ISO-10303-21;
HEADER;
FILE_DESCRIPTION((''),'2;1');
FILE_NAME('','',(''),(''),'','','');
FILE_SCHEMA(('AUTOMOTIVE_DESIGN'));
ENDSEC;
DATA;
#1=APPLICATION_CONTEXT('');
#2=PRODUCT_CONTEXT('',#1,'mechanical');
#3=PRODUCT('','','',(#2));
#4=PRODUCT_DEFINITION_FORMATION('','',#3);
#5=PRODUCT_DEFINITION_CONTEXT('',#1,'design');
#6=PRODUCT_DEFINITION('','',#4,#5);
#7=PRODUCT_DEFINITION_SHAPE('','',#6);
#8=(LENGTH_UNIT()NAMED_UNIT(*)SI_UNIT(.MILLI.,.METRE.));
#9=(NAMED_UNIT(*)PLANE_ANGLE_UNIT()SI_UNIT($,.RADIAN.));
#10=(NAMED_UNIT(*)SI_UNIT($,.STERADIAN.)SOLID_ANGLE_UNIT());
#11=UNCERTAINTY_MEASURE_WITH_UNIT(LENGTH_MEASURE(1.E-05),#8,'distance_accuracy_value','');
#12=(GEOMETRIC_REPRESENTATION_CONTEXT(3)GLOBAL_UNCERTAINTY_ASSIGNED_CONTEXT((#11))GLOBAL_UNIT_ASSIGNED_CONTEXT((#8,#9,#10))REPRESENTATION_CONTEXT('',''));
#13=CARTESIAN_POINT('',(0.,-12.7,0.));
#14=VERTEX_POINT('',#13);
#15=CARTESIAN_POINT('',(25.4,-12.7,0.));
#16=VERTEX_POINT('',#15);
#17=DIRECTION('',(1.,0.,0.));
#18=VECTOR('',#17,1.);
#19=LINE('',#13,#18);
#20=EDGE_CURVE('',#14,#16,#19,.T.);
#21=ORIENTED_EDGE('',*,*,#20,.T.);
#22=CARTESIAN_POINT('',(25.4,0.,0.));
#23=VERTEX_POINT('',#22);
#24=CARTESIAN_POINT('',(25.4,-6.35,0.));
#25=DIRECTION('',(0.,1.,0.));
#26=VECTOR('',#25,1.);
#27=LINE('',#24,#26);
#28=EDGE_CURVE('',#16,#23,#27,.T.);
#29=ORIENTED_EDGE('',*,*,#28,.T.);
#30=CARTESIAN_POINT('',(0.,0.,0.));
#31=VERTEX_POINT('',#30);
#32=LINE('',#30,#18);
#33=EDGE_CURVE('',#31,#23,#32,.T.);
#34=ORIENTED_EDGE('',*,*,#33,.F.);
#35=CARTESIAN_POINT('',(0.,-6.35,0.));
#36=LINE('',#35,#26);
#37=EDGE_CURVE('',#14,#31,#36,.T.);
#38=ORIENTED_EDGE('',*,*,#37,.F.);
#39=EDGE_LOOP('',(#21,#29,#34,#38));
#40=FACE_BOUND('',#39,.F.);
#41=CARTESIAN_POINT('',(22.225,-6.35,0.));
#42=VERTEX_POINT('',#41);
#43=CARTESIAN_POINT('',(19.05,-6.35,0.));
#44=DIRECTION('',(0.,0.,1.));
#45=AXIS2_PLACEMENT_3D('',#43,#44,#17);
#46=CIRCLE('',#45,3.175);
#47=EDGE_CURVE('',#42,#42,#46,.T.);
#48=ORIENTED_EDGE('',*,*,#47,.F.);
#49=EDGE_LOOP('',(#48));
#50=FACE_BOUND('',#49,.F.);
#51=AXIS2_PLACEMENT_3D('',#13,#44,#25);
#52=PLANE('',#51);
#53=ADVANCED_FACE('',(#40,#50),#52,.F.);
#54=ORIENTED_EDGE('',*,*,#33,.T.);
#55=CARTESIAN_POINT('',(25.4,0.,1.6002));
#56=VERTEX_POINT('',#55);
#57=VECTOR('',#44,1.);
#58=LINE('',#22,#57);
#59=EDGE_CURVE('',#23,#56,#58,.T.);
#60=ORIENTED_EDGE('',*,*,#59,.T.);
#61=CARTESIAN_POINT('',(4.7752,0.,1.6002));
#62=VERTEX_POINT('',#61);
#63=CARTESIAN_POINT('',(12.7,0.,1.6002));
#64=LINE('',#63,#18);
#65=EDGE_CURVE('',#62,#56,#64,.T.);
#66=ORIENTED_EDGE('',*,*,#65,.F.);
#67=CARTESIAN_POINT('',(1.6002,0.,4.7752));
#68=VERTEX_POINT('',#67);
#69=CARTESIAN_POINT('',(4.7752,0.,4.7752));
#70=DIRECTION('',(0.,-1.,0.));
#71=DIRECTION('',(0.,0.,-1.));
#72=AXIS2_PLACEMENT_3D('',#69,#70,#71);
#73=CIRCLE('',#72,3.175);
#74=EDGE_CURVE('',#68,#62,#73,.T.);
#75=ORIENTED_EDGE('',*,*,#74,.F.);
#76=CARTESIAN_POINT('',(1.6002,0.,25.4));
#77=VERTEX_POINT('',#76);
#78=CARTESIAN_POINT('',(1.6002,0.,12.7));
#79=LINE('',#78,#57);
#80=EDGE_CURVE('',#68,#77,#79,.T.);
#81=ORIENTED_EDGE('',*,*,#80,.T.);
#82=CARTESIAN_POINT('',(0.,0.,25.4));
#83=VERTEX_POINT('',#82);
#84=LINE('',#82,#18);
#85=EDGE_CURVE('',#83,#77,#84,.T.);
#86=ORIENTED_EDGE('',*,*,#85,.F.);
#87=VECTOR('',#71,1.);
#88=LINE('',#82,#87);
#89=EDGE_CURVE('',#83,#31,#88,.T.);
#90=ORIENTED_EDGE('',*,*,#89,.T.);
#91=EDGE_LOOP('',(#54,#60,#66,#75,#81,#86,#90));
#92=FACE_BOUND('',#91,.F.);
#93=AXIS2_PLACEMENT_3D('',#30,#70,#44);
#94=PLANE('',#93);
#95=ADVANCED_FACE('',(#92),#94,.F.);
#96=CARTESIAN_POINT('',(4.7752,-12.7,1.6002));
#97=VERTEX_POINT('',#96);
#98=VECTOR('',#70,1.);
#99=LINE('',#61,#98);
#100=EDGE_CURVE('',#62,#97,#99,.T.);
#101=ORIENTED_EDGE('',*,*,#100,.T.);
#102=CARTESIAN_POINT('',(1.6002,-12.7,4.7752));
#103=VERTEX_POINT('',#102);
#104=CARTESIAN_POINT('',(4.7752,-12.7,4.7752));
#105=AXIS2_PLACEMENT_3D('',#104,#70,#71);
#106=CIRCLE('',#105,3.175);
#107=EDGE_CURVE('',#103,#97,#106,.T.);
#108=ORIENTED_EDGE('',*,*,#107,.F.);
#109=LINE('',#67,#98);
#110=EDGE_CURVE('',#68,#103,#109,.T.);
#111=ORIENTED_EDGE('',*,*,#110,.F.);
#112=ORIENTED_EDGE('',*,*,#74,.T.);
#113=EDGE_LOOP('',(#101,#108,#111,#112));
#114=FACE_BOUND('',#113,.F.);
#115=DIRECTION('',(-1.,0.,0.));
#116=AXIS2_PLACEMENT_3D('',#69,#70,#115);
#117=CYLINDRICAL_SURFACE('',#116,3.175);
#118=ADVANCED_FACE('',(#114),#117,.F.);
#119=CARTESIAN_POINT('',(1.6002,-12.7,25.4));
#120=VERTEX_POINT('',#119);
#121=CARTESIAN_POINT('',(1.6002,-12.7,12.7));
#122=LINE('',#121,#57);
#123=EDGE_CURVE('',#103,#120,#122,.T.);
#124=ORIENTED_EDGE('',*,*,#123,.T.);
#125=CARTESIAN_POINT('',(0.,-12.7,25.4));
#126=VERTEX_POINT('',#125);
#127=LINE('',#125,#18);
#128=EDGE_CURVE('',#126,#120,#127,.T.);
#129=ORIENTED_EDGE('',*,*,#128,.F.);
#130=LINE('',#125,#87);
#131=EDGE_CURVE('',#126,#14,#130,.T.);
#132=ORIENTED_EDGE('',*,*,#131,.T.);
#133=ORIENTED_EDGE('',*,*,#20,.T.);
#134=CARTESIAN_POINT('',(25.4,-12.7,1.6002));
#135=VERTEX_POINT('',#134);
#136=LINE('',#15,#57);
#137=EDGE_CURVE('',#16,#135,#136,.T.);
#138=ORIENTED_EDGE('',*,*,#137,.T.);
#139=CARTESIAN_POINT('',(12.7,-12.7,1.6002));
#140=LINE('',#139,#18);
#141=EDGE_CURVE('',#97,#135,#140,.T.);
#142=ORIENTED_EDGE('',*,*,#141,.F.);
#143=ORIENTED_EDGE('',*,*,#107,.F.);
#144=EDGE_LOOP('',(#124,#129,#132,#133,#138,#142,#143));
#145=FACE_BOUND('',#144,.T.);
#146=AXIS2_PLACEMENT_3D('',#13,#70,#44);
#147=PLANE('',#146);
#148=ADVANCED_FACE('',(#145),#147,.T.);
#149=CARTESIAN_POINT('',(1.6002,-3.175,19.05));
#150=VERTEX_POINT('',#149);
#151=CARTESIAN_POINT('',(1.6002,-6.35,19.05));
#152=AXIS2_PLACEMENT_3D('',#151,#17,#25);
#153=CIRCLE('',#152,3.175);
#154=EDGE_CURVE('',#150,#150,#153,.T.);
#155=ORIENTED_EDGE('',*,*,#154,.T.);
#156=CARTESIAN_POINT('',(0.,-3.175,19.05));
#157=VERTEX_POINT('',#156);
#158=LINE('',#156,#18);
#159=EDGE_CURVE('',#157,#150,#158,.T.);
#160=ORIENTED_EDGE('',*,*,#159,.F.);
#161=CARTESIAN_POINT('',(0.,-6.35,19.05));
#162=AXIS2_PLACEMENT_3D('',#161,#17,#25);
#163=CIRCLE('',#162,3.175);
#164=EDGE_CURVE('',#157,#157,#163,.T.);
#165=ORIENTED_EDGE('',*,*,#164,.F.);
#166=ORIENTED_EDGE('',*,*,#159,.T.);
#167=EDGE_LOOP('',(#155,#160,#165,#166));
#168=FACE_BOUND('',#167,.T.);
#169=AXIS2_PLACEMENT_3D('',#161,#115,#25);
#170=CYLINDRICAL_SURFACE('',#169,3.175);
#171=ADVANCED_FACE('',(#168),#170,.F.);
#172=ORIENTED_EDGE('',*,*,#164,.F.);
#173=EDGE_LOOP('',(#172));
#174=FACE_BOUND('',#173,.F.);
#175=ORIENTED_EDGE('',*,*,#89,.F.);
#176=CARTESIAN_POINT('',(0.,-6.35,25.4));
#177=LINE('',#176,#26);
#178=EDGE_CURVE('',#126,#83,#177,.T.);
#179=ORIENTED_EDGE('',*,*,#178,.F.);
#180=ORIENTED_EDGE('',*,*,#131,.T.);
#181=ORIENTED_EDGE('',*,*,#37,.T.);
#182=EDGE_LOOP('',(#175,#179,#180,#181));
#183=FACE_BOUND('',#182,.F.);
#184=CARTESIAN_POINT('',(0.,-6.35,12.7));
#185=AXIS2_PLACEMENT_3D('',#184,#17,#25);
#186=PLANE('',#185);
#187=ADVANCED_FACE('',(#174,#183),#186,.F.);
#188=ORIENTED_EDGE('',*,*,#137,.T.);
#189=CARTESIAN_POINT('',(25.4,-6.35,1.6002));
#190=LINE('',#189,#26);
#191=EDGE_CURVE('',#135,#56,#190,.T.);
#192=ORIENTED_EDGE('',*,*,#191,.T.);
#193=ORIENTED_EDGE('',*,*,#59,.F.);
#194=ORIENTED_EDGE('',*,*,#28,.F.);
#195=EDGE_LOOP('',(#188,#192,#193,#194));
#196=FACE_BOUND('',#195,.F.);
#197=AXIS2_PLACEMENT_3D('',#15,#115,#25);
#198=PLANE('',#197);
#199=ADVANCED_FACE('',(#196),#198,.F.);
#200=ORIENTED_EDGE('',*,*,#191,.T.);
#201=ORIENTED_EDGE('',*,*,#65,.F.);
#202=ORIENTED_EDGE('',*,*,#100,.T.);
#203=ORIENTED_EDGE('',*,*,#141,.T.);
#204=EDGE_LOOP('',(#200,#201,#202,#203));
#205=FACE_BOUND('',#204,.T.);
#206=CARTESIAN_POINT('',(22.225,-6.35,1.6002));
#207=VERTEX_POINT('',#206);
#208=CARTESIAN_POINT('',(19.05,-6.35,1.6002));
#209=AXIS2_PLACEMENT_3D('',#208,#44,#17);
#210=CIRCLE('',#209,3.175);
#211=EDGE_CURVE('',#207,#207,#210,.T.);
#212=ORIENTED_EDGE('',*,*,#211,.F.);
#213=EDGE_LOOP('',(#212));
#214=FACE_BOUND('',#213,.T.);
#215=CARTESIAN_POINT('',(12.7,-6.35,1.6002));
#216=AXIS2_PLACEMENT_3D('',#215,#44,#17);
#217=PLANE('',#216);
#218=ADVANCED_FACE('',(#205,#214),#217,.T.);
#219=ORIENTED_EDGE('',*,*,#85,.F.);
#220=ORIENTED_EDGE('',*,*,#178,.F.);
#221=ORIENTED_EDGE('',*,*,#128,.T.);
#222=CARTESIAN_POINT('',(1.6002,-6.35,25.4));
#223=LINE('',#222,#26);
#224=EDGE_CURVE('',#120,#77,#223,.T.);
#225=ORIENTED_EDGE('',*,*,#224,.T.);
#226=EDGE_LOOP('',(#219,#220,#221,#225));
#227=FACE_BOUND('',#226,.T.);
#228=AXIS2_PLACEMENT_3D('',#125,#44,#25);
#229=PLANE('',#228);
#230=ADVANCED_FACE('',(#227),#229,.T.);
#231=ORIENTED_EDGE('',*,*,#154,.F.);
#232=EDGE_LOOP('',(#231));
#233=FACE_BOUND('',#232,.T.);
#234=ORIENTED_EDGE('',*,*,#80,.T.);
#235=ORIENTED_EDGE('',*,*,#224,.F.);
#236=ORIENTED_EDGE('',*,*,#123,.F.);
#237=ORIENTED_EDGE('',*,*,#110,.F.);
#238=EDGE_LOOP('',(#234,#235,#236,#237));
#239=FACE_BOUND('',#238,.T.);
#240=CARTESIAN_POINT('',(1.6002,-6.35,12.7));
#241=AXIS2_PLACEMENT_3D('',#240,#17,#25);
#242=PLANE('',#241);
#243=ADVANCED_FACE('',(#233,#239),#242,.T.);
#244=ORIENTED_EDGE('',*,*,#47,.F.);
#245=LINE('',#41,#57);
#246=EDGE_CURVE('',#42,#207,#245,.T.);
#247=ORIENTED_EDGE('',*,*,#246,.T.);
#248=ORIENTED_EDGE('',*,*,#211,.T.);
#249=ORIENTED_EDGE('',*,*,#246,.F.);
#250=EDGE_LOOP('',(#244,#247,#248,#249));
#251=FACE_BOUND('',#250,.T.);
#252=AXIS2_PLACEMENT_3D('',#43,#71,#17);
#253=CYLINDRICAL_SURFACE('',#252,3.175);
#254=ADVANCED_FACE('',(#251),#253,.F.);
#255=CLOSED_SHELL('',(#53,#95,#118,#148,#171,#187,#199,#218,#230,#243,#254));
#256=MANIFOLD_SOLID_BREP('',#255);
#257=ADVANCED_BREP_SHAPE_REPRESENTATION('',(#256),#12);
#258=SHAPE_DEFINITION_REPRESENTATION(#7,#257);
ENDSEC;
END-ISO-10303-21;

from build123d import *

# Parameters (mm, degrees)
F0_W     = 12.7
F0_H     = 25.4
F0_R     = 3.175
F1_DEPTH = 1.6002
F2_W     = 25.4
F2_H     = 12.7
F2_R     = 3.175
F3_DEPTH = 1.6002
F4_R     = 3.175


with BuildPart() as f1:
    # F0 (on Right) → F1 (new body)
    with BuildSketch(Plane.YZ):
        with Locations((-6.35, 12.7)):
            Rectangle(F0_W, F0_H)
        with Locations((-6.35, 19.05)):
            Circle(F0_R, mode=Mode.SUBTRACT)
    extrude(amount=F1_DEPTH)

    # F2 (on Top) → F3 (join)
    with BuildSketch(Plane.XY):
        with Locations((12.7, -6.35)):
            Rectangle(F2_W, F2_H)
        with Locations((19.05, -6.35)):
            Circle(F2_R, mode=Mode.SUBTRACT)
    extrude(amount=F3_DEPTH)

    # F4
    f4_edges = [f1.edges().sort_by_distance(p)[0] for p in [
        (1.6002, -6.35, 1.6002),
    ]]
    fillet(f4_edges, radius=F4_R)


solid = f1.part
